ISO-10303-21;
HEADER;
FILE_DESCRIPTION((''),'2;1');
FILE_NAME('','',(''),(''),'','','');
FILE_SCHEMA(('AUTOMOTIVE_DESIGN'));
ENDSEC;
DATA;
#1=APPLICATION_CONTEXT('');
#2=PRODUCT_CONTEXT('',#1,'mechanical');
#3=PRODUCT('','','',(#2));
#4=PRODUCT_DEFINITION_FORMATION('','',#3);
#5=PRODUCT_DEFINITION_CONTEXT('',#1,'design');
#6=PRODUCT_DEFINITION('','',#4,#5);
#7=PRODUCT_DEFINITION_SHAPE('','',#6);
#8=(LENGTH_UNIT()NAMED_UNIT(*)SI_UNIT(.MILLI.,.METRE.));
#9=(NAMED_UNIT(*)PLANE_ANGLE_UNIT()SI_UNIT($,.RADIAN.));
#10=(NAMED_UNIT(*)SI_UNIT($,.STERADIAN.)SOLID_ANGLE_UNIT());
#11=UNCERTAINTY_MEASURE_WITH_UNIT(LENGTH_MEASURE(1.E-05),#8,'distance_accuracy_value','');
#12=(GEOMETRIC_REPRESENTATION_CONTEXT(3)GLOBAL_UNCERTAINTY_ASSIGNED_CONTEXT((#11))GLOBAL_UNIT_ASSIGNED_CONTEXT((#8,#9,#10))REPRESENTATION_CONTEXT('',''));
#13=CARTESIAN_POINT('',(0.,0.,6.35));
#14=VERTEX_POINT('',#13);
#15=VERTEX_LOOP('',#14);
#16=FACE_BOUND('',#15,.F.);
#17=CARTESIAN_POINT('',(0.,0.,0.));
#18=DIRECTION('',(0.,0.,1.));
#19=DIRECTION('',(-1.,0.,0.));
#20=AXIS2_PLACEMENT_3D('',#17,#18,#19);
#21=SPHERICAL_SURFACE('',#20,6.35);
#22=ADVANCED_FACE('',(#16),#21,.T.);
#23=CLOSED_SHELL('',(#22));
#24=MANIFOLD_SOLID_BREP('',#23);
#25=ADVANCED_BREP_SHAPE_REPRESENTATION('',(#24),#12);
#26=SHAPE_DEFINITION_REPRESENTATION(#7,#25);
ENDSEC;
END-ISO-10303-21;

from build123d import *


with BuildPart() as part:
    # Sketch1 → Revolve1 (revolve)
    with BuildSketch(Plane(origin=(0, 0, 0), x_dir=(1, 0, 0), z_dir=(0, 1, 0))):
        with BuildLine():
            Line((0, -6.35), (0, 6.35))
            ThreePointArc((0, 6.35), (-6.35, 0), (0, -6.35))
        make_face()
    revolve(axis=Axis((0, 0, 6.35), (0, 0, -1)))


solid = part.part
